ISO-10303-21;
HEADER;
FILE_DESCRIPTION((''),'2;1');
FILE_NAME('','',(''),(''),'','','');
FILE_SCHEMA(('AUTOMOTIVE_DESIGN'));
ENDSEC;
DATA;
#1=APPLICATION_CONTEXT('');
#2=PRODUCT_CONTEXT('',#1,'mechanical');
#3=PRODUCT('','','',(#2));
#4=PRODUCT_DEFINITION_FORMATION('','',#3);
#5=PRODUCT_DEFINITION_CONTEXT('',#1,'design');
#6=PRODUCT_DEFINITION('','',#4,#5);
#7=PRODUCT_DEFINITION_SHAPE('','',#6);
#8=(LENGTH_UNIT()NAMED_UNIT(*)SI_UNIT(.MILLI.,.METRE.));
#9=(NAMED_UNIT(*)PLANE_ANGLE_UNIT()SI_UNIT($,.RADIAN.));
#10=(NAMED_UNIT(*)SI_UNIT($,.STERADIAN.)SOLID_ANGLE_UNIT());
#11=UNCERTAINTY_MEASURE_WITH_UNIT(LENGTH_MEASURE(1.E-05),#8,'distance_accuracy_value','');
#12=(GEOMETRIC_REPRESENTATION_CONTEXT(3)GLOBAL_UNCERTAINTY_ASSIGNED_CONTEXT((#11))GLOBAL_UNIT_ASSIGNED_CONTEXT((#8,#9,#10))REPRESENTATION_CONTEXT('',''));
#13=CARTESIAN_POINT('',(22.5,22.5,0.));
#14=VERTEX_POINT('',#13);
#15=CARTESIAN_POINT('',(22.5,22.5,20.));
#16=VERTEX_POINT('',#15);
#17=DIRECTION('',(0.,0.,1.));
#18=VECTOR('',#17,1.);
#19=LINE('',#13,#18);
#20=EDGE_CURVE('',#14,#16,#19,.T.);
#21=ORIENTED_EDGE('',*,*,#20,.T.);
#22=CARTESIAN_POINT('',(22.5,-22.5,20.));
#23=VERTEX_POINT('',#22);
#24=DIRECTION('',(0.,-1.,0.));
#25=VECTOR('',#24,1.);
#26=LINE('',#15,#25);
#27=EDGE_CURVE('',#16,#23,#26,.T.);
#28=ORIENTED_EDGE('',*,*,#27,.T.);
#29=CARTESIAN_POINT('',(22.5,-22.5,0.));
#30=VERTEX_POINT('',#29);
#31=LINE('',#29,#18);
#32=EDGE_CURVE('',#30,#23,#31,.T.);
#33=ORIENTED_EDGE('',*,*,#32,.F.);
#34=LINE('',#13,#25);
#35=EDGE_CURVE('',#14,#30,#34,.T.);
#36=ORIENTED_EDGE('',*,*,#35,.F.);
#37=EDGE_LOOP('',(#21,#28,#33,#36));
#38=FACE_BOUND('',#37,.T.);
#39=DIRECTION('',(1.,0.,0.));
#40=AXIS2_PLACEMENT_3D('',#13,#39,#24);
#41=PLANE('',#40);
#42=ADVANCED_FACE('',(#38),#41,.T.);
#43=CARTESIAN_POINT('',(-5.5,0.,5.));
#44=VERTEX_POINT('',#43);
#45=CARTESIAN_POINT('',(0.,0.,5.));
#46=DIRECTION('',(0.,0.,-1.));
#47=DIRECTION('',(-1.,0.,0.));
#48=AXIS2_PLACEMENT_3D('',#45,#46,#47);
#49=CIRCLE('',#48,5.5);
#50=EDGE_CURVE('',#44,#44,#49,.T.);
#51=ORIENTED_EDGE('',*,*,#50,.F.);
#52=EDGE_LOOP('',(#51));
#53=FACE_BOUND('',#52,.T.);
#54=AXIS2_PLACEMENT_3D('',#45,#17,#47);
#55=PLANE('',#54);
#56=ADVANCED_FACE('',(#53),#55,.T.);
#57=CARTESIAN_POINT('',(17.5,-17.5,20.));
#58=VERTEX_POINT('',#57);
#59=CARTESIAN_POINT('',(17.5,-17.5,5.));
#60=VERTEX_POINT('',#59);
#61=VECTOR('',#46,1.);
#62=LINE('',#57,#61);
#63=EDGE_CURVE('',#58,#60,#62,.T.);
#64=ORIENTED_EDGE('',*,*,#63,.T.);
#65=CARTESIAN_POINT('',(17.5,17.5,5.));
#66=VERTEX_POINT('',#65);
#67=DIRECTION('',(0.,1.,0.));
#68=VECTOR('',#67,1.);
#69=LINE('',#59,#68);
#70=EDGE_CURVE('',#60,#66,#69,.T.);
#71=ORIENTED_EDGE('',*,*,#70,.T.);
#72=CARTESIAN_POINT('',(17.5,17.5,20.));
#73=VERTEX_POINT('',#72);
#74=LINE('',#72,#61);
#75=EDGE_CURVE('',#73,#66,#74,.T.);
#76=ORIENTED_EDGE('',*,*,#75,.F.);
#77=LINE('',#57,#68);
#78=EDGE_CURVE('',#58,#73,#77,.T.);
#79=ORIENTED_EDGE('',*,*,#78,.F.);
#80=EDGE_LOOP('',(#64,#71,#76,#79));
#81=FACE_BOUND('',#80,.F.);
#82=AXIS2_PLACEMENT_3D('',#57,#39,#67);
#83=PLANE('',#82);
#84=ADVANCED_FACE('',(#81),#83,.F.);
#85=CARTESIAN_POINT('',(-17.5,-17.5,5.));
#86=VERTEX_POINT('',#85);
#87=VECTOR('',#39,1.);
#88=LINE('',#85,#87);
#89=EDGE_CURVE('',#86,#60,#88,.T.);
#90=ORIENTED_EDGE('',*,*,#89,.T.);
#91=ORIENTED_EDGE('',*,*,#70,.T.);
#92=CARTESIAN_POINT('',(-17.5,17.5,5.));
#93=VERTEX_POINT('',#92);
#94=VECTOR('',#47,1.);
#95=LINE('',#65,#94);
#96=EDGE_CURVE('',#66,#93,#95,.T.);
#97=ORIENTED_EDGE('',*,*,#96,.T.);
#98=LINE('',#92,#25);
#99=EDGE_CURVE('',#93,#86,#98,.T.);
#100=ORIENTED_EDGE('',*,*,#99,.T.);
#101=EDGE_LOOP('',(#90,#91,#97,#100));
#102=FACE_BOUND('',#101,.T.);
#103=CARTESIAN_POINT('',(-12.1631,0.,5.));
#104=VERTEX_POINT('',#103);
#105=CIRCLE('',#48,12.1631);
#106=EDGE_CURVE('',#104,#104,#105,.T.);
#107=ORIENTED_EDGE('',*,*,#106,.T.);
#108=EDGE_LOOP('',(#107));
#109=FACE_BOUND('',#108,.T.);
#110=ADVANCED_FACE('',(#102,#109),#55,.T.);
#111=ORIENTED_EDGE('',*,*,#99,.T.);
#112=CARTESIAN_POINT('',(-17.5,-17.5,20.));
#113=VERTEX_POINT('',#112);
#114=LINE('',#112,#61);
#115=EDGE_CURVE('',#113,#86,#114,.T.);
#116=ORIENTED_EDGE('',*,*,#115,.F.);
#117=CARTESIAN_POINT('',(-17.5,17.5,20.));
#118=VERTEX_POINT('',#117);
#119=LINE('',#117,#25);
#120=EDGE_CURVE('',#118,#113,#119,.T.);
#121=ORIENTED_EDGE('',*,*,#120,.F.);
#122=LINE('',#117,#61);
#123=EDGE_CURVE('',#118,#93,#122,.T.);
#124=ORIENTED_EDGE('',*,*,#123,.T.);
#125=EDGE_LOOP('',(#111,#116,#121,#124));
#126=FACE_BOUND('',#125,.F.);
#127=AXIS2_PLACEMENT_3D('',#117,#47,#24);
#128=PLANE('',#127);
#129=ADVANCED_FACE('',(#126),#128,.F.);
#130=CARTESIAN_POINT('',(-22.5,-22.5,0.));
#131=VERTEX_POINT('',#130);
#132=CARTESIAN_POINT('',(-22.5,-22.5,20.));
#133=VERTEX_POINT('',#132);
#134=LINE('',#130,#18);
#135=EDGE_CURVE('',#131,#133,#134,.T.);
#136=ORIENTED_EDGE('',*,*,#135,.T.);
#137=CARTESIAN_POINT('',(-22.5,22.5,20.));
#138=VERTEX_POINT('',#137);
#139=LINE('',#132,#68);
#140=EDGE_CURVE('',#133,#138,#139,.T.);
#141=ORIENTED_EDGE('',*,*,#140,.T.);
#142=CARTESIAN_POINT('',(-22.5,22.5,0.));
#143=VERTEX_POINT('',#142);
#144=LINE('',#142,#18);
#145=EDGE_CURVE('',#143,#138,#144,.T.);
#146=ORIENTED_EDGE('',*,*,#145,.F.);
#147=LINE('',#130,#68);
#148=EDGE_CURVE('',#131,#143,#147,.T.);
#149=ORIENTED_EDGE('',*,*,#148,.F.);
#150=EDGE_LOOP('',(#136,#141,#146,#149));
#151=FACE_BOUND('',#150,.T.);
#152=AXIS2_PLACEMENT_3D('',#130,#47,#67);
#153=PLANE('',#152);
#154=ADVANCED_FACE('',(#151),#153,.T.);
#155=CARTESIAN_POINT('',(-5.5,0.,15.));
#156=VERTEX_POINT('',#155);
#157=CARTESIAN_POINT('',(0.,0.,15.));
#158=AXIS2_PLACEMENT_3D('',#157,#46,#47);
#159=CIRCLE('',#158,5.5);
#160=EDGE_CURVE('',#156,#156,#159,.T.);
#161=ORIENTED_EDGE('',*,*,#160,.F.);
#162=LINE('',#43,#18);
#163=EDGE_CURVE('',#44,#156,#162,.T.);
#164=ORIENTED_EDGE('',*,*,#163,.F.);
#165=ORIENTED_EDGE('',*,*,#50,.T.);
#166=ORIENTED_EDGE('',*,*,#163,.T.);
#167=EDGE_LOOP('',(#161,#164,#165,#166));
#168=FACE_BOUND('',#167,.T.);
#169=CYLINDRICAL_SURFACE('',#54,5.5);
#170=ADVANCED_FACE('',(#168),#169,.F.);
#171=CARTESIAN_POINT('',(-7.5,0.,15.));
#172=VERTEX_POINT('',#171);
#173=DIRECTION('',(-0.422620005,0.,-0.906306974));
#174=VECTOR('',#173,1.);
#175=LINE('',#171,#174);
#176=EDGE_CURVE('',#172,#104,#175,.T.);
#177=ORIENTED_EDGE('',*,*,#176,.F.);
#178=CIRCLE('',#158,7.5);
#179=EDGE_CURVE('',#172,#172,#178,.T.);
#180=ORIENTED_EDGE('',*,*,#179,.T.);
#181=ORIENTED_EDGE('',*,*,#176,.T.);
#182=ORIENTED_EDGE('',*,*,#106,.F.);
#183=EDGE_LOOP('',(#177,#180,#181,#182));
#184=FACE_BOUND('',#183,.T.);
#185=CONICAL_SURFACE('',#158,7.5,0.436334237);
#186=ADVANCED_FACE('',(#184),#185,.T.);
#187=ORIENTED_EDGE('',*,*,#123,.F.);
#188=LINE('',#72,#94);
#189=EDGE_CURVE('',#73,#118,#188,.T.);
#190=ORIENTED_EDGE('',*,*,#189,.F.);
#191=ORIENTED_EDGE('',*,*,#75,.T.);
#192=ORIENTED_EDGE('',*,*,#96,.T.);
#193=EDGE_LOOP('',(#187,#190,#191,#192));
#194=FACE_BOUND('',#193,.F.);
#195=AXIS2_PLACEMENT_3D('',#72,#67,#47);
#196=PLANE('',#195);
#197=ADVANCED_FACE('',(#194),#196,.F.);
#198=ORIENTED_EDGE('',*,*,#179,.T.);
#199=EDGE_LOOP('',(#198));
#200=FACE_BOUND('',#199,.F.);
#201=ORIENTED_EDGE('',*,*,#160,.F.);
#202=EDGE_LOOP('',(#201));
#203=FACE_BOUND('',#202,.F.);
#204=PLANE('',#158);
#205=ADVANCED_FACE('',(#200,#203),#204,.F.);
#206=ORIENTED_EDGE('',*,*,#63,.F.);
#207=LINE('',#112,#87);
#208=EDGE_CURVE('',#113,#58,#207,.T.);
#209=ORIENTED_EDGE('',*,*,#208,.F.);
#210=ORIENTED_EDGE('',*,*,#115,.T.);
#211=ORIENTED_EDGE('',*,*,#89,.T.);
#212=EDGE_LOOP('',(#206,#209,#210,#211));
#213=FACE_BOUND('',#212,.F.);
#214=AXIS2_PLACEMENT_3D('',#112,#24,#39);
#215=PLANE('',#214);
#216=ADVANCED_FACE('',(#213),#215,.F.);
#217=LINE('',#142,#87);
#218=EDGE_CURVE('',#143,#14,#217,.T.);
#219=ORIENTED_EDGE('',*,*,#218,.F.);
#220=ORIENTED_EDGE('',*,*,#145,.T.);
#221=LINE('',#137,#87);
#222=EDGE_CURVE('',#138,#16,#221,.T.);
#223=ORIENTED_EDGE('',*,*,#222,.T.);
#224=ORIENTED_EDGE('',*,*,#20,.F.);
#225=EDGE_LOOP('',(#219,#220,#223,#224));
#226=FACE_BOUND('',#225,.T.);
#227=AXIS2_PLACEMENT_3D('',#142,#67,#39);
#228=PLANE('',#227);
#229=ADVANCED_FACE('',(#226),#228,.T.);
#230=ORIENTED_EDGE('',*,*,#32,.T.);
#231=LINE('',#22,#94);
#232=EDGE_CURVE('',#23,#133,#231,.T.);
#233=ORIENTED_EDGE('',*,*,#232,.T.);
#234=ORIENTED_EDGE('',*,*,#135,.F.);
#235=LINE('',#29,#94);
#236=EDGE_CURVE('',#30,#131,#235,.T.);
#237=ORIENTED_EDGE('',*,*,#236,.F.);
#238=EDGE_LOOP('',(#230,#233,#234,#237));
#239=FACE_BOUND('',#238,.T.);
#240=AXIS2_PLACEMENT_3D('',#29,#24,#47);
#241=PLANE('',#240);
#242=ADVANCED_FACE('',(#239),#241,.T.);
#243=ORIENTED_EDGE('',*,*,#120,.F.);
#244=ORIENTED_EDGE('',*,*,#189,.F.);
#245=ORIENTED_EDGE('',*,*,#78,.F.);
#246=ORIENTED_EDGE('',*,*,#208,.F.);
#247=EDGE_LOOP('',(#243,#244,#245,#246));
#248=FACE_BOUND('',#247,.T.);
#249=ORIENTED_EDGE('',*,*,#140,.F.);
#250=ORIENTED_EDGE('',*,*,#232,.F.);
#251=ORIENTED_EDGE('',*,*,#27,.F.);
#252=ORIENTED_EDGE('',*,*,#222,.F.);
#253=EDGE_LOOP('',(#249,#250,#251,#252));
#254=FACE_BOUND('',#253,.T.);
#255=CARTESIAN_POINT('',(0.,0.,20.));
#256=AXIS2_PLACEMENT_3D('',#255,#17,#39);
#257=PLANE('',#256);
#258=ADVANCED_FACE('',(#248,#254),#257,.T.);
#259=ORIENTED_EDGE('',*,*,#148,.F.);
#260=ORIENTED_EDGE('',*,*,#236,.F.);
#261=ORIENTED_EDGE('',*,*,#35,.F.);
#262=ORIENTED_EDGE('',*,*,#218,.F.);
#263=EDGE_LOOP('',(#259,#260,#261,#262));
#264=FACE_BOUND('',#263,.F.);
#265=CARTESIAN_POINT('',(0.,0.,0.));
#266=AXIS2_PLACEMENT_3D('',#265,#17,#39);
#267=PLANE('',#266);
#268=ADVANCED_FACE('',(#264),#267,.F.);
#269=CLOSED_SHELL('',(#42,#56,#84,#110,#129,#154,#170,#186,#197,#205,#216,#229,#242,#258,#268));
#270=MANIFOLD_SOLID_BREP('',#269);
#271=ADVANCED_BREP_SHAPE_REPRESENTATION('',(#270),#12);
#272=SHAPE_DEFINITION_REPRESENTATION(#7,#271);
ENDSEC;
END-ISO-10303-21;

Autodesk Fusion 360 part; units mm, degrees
sketch "Sketch1" plane through (0, 0, 0) normal (0, 0, 1) x (1, 0, 0)
  line L0 (-22.5, 22.5) -> (22.5, 22.5)
  line L1 (22.5, 22.5) -> (22.5, -22.5)
  line L2 (22.5, -22.5) -> (-22.5, -22.5)
  line L3 (-22.5, -22.5) -> (-22.5, 22.5)
  line L4 (-22.5, 22.5) -> (22.5, -22.5) construction
  dimension "d1" = 45
extrude "Extrude1" add sketch "Sketch1" along normal blind 20
sketch "Sketch2" plane through (0, 0, 20) normal (0, 0, 1) x (-1, 0, 0)
  line L0 (22.5, 22.5) -> (-22.5, 22.5)
  line L1 (-22.5, 22.5) -> (-22.5, -22.5)
  line L2 (-22.5, -22.5) -> (22.5, -22.5)
  line L3 (22.5, -22.5) -> (22.5, 22.5)
  line L4 (-17.5, -17.5) -> (17.5, -17.5)
  line L5 (17.5, -17.5) -> (17.5, 17.5)
  line L6 (17.5, 17.5) -> (-17.5, 17.5)
  line L7 (-17.5, 17.5) -> (-17.5, -17.5)
  line L8 (-17.5, -17.5) -> (17.5, 17.5) construction
  line L9 (17.5, -17.5) -> (-17.5, 17.5) construction
  dimension "d4" = 5
  dimension "d5" = 5
extrude "Extrude2" cut sketch "Sketch2" against normal blind 15 contours L4 L5 L6 L7
sketch "Sketch3" plane through (0, 0, 0) normal (0, 1, 0) x (1, 0, 0)
  line L0 (22.5, -20) -> (22.5, 0)
  line L1 (22.5, 0) -> (-22.5, 0)
  line L2 (-22.5, 0) -> (-22.5, -20)
  line L3 (-22.5, -20) -> (-17.5, -20)
  line L4 (-17.5, -20) -> (-17.5, -5)
  line L5 (-17.5, -5) -> (17.5, -5)
  line L6 (17.5, -5) -> (17.5, -20)
  line L7 (17.5, -20) -> (22.5, -20)
  line L8 (-7.5, -15) -> (7.5, -15)
  line L9 (0, -15) -> (0, -5) construction
  line L10 (-7.5, -15) -> (-12.1631, -5)
  line L11 (7.5, -15) -> (12.1631, -5)
  line L12 (-5.5, -15) -> (5.5, -15)
  line L13 (5.5, -15) -> (5.5, -5)
  line L14 (5.5, -5) -> (-5.5, -5)
  line L15 (-5.5, -5) -> (-5.5, -15)
  dimension "d8" = 15
  dimension "d9" = 65
  dimension "d10" = 65
  dimension "d11" = 11
  dimension "d12" = 10
revolve "Revolve1" add sketch "Sketch3" angle 360 about axis through (0, 0, 15) along (0, 0, -1) contours L5 L8 L10 L15
